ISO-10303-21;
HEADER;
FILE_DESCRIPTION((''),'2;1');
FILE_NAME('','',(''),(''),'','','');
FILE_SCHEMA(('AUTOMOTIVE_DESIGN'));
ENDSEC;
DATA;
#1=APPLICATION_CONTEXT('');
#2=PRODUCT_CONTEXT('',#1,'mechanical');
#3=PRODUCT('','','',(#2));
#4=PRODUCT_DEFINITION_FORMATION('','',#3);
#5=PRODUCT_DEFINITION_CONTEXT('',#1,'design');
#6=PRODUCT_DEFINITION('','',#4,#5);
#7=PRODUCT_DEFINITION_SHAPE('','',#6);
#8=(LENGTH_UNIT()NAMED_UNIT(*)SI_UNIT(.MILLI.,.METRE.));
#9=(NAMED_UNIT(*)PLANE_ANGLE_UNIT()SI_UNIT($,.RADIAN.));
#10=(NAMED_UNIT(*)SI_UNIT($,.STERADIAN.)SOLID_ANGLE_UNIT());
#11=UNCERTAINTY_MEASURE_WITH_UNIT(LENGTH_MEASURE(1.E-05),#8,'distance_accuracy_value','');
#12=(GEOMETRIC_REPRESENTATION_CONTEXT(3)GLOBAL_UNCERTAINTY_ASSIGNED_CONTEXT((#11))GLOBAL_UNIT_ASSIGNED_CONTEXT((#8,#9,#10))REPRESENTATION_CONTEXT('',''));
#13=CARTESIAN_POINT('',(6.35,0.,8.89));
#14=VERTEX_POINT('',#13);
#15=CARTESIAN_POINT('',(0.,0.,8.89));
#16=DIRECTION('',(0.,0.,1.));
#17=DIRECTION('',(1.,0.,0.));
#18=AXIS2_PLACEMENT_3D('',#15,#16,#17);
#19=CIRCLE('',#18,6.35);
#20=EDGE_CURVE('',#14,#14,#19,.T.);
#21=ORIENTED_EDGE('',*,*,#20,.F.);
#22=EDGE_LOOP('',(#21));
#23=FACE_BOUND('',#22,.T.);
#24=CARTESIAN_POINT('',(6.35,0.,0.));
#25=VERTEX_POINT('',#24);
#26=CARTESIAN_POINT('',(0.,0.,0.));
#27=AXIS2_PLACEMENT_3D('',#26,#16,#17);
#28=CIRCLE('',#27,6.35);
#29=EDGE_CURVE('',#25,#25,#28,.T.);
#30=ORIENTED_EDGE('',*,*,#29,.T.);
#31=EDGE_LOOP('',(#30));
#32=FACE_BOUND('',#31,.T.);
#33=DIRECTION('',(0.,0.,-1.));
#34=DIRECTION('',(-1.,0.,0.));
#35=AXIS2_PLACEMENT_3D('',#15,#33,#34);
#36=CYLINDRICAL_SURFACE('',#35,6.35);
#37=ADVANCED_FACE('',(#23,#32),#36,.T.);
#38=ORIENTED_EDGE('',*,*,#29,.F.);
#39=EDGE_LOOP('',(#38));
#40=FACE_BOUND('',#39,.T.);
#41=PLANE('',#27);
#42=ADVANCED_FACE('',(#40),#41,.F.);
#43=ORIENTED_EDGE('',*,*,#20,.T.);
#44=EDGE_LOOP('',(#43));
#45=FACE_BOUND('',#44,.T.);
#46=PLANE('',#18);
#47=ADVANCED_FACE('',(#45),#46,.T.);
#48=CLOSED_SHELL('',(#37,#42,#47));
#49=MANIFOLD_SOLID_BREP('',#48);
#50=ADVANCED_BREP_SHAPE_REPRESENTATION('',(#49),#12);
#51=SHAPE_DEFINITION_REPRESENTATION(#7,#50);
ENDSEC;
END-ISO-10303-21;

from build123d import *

# Parameters (mm, degrees)
SKETCH1_R           = 6.35
BOSS_EXTRUDE1_DEPTH = 8.89


with BuildPart() as part:
    # Sketch1 → Boss-Extrude1 (new body)
    with BuildSketch(Plane.XY):
        Circle(SKETCH1_R)
    extrude(amount=BOSS_EXTRUDE1_DEPTH)


solid = part.part
